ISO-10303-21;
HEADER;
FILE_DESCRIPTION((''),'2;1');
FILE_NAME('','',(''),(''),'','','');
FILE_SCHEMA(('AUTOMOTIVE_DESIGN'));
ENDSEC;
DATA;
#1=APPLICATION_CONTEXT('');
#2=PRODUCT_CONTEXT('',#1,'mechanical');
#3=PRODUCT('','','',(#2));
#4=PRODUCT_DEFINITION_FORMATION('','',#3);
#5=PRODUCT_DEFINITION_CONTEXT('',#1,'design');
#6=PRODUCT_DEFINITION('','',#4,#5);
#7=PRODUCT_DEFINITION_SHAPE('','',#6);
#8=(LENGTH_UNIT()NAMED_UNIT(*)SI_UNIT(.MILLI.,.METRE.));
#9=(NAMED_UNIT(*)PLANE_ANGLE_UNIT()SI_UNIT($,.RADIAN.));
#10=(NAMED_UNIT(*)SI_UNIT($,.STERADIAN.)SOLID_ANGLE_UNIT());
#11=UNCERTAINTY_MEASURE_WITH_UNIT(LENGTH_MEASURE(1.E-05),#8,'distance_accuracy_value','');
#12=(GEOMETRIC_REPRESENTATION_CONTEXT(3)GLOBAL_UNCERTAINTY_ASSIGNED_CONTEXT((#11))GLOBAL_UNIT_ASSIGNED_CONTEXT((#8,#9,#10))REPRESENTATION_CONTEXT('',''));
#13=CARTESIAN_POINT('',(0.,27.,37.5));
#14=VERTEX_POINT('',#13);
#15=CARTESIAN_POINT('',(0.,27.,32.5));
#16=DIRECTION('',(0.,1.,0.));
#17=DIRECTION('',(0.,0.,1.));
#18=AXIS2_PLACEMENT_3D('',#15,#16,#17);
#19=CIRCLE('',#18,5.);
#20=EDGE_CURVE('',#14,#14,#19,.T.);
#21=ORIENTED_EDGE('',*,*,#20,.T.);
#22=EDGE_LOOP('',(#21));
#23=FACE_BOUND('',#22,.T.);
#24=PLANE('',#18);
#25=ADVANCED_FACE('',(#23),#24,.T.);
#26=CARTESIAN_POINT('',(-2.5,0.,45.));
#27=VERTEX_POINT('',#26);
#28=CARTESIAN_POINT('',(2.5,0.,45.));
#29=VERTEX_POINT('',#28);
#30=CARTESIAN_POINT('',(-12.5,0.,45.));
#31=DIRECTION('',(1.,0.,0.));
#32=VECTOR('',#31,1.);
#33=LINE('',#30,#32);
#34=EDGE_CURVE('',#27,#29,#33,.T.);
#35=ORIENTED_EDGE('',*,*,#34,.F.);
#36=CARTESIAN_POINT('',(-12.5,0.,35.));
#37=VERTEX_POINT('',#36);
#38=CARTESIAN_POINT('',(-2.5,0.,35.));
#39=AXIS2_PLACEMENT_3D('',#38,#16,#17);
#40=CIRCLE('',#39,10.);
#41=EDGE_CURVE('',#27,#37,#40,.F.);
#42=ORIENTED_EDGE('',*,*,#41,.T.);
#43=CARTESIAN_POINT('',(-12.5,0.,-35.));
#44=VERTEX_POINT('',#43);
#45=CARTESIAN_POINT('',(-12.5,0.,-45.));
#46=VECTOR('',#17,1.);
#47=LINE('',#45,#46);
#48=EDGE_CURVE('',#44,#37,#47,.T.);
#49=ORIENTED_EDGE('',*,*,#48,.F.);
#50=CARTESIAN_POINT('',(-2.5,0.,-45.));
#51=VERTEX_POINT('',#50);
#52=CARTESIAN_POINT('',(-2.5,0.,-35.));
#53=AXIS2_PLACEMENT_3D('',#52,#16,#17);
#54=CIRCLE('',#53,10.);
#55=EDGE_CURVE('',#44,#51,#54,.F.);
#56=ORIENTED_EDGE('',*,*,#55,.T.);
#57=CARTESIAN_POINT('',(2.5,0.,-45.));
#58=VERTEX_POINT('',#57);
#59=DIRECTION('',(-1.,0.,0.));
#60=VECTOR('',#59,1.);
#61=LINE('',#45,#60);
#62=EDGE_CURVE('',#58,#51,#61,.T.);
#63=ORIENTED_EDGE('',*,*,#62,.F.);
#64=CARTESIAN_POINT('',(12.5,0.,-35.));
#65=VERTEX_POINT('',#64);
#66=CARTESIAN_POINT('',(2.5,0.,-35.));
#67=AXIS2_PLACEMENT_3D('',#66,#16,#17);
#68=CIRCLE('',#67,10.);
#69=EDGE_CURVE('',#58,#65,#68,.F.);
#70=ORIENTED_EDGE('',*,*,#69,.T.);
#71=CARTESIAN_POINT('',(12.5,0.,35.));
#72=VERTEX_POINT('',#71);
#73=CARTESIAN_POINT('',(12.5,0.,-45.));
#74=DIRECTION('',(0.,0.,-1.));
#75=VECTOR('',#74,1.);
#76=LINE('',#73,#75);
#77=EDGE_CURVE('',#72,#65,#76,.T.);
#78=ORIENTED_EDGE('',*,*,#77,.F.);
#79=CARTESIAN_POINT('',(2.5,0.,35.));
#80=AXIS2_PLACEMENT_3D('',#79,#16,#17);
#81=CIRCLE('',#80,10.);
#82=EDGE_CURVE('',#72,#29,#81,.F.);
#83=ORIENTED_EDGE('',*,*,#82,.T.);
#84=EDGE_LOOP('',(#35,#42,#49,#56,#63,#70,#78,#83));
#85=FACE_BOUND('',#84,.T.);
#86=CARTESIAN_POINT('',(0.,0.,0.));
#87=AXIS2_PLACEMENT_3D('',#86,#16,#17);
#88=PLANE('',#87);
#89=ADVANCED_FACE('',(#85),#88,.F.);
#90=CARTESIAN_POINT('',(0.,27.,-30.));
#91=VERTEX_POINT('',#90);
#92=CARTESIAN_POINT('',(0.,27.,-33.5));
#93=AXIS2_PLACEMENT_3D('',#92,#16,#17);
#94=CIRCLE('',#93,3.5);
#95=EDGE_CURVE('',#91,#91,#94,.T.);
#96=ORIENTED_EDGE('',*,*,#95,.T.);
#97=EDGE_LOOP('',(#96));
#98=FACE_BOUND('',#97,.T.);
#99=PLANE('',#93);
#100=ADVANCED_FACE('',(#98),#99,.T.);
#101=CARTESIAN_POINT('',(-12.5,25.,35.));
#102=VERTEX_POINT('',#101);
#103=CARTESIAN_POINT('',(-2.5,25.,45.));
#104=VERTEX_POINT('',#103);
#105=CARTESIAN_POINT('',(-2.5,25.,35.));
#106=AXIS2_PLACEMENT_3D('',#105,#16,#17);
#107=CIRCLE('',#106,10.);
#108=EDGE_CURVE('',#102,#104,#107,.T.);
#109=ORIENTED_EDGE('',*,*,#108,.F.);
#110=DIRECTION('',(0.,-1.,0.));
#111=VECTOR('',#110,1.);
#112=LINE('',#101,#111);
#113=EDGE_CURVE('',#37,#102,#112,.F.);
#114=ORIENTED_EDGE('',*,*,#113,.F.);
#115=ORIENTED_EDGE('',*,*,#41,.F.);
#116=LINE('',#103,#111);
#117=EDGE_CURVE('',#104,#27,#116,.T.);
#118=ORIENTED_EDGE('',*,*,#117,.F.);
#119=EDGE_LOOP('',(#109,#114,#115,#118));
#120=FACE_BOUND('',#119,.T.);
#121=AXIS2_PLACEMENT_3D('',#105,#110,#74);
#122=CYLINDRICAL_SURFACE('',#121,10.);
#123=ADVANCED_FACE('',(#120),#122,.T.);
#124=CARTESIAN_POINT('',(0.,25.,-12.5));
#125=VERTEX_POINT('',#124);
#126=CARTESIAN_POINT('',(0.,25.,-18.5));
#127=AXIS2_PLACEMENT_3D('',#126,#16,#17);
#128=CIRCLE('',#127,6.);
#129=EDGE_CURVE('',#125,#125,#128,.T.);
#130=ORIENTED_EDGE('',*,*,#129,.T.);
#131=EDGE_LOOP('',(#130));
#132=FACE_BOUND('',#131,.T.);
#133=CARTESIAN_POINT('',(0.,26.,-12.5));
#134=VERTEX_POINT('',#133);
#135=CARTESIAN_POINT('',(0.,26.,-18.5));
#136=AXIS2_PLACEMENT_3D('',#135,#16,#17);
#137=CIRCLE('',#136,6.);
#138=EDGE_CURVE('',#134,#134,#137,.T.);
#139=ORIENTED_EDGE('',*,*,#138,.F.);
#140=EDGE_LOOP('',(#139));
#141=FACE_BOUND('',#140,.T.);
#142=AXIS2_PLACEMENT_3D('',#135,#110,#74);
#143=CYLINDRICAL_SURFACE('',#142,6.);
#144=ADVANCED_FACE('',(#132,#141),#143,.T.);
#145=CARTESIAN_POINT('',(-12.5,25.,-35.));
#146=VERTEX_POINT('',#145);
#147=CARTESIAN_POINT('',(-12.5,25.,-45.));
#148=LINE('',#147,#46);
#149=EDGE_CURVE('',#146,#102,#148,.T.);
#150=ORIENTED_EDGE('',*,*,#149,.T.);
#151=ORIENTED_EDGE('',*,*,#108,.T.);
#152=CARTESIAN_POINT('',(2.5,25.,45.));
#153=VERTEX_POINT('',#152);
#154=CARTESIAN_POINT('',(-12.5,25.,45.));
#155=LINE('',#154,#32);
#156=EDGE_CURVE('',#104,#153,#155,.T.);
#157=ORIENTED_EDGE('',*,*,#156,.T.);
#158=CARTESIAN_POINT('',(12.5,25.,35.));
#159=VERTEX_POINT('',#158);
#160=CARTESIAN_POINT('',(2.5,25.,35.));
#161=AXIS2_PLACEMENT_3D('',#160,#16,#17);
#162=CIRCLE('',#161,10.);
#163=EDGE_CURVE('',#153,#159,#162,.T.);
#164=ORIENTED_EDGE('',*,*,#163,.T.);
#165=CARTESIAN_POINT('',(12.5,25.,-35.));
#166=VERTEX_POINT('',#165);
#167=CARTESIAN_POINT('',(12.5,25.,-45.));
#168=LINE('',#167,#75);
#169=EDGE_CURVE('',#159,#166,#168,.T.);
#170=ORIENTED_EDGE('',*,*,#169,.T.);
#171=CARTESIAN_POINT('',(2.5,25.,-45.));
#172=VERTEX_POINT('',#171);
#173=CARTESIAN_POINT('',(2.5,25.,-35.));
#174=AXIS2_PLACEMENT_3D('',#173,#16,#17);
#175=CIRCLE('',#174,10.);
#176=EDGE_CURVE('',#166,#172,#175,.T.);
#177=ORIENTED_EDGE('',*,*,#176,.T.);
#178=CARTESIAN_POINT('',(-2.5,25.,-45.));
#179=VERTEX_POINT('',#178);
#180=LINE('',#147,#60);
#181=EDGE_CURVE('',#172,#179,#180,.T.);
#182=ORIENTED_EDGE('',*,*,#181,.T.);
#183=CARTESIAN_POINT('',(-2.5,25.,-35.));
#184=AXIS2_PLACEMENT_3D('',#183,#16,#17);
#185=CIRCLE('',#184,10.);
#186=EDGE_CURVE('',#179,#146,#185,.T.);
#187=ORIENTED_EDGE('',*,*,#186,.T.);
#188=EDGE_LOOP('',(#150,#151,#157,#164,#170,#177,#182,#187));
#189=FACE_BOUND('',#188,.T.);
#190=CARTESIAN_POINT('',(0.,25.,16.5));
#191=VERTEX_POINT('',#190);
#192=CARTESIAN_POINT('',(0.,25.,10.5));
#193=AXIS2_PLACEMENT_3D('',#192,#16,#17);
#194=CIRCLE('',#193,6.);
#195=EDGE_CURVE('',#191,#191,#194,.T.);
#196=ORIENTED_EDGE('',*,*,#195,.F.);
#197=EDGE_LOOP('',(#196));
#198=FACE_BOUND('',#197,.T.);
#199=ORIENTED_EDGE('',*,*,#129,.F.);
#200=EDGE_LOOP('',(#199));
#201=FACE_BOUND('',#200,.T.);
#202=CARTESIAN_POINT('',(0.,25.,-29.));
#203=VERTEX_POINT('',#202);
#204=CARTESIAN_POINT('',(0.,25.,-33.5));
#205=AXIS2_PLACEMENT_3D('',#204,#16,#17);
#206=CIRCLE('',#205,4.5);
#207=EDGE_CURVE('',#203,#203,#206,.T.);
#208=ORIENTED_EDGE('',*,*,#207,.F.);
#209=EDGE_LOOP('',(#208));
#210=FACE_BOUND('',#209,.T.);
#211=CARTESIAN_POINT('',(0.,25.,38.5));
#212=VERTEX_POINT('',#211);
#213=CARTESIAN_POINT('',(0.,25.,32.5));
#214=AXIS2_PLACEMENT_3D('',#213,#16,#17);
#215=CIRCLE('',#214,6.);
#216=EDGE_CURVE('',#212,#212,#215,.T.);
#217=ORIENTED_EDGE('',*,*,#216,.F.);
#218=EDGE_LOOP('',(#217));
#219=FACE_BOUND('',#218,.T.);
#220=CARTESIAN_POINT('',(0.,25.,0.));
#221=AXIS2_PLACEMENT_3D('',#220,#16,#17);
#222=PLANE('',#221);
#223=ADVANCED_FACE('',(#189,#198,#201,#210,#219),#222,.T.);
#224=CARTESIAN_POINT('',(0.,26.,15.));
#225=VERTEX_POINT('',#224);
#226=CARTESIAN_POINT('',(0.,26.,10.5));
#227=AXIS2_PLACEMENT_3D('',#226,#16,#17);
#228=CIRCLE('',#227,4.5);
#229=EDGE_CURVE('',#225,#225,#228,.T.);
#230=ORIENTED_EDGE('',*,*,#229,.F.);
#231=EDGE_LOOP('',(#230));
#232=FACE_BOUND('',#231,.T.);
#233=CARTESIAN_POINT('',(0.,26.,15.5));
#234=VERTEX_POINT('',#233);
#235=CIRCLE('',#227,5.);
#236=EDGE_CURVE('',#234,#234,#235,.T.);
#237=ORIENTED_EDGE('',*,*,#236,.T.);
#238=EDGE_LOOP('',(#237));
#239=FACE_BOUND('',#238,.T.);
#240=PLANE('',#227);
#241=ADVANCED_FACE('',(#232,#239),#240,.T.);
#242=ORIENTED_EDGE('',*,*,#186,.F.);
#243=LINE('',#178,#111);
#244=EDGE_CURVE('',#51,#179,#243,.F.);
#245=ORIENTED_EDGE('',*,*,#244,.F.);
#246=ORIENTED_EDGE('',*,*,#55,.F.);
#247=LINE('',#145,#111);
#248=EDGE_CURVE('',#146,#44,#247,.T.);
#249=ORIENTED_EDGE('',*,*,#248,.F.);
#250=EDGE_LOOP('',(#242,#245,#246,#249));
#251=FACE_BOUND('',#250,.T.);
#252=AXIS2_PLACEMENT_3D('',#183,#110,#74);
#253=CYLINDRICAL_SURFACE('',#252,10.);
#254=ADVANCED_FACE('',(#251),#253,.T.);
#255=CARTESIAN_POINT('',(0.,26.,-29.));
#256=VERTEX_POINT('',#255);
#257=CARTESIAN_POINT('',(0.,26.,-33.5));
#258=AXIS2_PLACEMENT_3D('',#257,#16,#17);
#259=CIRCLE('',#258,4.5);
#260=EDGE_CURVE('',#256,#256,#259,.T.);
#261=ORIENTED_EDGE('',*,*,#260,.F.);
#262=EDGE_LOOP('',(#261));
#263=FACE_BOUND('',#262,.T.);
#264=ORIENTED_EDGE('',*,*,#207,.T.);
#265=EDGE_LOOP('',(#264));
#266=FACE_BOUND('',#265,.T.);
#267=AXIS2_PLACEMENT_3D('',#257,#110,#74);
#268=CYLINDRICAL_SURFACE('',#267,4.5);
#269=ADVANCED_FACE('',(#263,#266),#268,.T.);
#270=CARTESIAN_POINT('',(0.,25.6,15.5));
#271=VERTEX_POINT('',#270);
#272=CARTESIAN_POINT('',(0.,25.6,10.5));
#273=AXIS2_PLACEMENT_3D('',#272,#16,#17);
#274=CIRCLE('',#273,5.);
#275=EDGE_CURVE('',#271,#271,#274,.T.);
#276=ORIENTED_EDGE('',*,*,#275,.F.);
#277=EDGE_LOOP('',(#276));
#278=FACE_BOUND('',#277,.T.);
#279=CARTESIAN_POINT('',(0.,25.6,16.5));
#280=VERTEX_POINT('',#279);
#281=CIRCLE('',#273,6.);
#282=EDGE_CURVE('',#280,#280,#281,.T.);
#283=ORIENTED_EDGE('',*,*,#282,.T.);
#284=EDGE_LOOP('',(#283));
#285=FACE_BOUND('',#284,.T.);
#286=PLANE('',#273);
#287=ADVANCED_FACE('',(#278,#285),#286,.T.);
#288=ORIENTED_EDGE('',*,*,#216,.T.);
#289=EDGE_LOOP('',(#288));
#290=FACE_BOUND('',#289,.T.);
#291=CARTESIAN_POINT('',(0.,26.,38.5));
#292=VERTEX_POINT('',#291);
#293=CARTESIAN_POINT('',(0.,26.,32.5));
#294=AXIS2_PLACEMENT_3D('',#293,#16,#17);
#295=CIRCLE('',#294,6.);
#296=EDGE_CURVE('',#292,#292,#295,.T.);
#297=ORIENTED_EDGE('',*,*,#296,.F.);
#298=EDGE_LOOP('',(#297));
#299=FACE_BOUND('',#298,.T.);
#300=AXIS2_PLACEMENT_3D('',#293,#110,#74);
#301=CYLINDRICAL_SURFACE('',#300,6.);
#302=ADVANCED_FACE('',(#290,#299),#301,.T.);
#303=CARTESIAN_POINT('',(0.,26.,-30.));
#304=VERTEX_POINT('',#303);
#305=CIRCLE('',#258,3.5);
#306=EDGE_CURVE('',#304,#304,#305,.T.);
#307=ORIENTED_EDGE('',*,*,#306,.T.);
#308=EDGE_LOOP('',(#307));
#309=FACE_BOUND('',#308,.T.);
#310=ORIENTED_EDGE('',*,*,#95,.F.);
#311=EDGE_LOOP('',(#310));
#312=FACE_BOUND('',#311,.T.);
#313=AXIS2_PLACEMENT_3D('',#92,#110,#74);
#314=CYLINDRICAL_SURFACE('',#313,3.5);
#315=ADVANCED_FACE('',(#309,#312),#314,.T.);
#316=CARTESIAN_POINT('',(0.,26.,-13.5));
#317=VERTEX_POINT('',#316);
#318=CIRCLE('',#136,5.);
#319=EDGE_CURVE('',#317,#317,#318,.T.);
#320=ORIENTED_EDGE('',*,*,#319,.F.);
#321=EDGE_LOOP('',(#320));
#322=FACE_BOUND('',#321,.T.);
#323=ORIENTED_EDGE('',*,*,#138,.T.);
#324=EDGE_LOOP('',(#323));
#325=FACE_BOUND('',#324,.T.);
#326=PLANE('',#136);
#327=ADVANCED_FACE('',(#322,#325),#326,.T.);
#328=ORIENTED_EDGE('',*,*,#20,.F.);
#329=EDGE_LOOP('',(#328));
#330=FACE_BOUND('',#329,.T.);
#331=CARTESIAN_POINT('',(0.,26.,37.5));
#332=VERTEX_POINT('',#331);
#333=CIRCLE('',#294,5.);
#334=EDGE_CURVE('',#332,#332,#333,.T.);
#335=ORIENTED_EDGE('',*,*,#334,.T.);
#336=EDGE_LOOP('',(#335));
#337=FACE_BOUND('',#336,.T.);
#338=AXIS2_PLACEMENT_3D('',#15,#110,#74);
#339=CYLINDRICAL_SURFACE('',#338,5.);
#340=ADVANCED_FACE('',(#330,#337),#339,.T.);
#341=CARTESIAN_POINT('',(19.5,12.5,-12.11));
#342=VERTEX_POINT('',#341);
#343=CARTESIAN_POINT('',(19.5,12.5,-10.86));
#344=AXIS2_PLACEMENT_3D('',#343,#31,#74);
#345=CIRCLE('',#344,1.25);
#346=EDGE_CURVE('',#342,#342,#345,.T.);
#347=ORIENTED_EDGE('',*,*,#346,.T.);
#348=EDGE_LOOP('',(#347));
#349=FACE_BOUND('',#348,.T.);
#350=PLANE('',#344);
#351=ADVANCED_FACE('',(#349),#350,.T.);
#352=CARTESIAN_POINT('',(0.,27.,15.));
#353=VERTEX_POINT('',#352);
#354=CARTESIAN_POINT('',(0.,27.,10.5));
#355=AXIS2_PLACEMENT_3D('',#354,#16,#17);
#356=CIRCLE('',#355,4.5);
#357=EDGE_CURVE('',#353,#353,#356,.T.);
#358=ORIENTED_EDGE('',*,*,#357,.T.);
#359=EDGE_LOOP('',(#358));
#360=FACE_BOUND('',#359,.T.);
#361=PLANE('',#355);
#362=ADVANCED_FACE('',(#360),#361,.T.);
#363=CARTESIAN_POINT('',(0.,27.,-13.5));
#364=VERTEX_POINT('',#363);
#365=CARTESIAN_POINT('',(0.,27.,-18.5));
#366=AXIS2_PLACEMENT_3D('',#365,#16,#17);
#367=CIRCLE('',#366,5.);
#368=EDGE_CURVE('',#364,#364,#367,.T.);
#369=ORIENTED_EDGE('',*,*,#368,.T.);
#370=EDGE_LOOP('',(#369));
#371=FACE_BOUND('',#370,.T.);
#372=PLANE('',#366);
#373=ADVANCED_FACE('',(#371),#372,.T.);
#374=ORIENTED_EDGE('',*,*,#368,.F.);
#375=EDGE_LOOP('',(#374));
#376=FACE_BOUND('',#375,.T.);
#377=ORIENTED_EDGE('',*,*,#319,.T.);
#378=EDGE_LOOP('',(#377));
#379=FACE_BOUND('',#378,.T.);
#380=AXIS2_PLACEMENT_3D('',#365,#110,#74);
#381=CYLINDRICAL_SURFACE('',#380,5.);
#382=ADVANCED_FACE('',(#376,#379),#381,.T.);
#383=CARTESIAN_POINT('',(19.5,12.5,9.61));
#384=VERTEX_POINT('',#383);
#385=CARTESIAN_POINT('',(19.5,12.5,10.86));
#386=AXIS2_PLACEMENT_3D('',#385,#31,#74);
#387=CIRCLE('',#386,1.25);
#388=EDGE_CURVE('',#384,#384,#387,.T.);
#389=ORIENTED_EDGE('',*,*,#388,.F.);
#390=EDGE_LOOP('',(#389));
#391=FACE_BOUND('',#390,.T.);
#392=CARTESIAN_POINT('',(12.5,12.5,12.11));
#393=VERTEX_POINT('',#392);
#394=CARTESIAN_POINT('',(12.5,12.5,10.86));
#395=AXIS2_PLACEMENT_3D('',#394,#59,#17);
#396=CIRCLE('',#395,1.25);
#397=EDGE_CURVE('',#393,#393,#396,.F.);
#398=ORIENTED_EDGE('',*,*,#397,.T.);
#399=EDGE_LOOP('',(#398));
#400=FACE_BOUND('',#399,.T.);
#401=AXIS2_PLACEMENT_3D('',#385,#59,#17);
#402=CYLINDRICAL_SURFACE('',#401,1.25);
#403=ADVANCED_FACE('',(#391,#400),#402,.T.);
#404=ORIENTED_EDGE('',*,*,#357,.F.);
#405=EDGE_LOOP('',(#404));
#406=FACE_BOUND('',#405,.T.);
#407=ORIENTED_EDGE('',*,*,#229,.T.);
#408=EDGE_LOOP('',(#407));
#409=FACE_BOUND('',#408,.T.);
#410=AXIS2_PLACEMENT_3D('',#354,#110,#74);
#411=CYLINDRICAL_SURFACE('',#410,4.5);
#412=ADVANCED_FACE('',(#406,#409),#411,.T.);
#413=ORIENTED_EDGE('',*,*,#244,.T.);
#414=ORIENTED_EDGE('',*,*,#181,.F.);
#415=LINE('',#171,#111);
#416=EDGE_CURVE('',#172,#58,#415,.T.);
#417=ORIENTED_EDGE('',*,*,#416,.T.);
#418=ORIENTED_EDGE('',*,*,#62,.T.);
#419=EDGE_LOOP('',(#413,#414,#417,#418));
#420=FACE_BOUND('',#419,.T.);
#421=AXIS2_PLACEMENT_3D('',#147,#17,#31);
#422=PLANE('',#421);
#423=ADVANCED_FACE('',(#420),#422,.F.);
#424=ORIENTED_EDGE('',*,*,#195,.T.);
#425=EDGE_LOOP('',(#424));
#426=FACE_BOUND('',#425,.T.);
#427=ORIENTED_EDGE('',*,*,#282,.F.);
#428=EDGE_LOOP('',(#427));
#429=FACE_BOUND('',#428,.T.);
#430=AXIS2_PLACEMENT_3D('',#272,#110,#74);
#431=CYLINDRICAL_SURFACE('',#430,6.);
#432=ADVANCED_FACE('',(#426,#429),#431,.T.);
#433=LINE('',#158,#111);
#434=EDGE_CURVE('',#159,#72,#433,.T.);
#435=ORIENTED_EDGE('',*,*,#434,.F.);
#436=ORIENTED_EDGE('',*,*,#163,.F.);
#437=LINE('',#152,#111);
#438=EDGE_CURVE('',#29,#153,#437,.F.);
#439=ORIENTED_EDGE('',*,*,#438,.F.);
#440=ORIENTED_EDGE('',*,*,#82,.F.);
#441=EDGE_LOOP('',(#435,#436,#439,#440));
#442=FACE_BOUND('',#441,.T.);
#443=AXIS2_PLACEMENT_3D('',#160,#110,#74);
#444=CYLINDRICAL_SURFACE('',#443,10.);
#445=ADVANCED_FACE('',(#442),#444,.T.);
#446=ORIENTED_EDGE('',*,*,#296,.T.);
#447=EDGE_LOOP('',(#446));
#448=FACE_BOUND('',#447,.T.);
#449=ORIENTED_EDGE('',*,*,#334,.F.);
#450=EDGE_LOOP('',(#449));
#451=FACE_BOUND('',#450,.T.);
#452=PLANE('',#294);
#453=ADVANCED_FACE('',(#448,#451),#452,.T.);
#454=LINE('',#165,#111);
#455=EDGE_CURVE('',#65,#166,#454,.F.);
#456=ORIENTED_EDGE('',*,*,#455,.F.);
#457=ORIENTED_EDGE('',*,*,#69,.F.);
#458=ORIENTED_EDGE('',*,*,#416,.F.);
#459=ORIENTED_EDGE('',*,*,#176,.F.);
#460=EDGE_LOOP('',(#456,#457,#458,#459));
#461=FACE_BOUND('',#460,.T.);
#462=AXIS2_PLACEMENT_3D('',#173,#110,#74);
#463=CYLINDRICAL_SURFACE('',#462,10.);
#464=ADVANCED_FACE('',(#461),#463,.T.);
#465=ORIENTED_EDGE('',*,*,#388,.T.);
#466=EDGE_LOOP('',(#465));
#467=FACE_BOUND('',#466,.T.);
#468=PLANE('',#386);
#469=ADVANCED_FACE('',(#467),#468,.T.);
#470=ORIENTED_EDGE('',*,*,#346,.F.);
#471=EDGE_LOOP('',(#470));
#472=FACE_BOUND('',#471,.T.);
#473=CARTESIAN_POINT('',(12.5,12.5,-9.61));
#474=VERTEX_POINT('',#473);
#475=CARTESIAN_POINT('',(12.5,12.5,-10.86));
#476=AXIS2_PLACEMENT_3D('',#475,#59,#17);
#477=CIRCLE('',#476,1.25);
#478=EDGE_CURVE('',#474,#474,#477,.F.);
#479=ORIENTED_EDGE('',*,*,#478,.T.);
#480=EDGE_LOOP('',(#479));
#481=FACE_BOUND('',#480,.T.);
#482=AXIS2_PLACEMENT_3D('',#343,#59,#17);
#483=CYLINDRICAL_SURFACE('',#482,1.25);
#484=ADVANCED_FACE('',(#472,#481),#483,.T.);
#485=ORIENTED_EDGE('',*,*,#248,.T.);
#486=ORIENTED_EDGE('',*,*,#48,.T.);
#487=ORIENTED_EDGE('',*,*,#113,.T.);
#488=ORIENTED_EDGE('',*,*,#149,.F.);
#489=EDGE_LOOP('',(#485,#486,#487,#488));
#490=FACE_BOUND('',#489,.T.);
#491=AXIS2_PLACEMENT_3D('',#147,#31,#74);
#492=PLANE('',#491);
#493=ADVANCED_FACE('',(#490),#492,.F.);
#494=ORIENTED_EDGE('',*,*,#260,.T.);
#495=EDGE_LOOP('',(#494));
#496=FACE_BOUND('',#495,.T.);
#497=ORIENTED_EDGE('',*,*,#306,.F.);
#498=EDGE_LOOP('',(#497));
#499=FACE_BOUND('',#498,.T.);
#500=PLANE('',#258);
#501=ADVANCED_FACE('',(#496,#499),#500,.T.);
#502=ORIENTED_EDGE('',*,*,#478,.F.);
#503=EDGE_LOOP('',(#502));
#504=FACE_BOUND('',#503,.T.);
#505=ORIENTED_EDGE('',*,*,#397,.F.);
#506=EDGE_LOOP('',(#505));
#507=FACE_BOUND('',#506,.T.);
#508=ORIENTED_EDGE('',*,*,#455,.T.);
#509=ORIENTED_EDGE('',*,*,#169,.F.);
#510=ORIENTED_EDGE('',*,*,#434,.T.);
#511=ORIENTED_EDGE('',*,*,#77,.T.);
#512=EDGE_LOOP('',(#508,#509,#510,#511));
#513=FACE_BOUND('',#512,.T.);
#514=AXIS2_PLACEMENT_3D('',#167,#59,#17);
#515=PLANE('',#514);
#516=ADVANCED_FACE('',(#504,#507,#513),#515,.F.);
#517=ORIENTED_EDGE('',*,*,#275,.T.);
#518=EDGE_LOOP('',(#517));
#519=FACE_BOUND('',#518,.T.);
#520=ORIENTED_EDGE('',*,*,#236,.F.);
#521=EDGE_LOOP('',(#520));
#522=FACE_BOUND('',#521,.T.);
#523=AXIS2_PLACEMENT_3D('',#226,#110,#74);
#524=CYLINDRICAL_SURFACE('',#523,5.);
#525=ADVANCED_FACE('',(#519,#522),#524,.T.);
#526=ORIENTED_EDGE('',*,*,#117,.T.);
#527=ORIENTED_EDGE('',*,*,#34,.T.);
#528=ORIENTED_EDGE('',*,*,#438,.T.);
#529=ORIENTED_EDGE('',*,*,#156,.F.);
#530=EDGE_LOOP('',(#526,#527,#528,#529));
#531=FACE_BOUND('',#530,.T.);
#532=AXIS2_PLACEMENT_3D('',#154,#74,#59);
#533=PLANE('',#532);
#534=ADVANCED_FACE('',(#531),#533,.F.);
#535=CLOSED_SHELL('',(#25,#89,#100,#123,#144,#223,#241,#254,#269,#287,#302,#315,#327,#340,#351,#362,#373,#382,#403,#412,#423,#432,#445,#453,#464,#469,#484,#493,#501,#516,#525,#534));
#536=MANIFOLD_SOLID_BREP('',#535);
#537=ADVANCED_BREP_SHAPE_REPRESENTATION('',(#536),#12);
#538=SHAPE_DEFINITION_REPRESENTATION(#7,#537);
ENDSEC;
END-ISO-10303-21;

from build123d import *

# Parameters (mm, degrees)
SKETCH1_W           = 25
SKETCH1_H           = 90
BOSS_EXTRUDE1_DEPTH = 25
SKETCH2_R           = 5
SKETCH2_R_2         = 3.5
SKETCH2_R_3         = 4.5
BOSS_EXTRUDE2_DEPTH = 2
SKETCH2_3_R         = 6
SKETCH2_3_R_2       = 4.5
SKETCH2_3_R_3       = 5
BOSS_EXTRUDE3_DEPTH = 1
SKETCH2_4_R         = 6
BOSS_EXTRUDE4_DEPTH = 0.6
FILLET1_R           = 10
SKETCH3_R           = 1.25
BOSS_EXTRUDE5_DEPTH = 7


with BuildPart() as part:
    # Sketch1 → Boss-Extrude1 (new body)
    with BuildSketch(Plane(origin=(0, 0, 0), x_dir=(1, 0, 0), z_dir=(0, 1, 0))):
        Rectangle(SKETCH1_W, SKETCH1_H)
    extrude(amount=BOSS_EXTRUDE1_DEPTH)

    # Sketch2 → Boss-Extrude2 (add)
    with BuildSketch(Plane(origin=(0, 25, 0), x_dir=(1, 0, 0), z_dir=(0, 1, 0))):
        with Locations((0, -32.5)):
            Circle(SKETCH2_R)
        with Locations((0, 18.5)):
            Circle(SKETCH2_R)
        with Locations((0, 33.5)):
            Circle(SKETCH2_R_2)
        with Locations((0, -10.5)):
            Circle(SKETCH2_R_3)
    extrude(amount=BOSS_EXTRUDE2_DEPTH)

    # Sketch2<3> → Boss-Extrude3 (add)
    with BuildSketch(Plane(origin=(0, 25, 0), x_dir=(1, 0, 0), z_dir=(0, 1, 0))):
        with Locations((0, -32.5)):
            Circle(SKETCH2_3_R)
        with Locations((0, 18.5)):
            Circle(SKETCH2_3_R)
        with Locations((0, 33.5)):
            Circle(SKETCH2_3_R_2)
        with Locations((0, -10.5)):
            Circle(SKETCH2_3_R_3)
    extrude(amount=BOSS_EXTRUDE3_DEPTH)

    # Sketch2<4> → Boss-Extrude4 (add)
    with BuildSketch(Plane(origin=(0, 25, 0), x_dir=(1, 0, 0), z_dir=(0, 1, 0))):
        with Locations((0, -10.5)):
            Circle(SKETCH2_4_R)
    extrude(amount=BOSS_EXTRUDE4_DEPTH)

    # Fillet1
    fillet1_edges = [part.edges().sort_by_distance(p)[0] for p in [
        (12.5, 12.5, 45),
        (-12.5, 12.5, 45),
        (-12.5, 12.5, -45),
        (12.5, 12.5, -45),
    ]]
    fillet(fillet1_edges, radius=FILLET1_R)

    # Sketch3 → Boss-Extrude5 (add)
    with BuildSketch(Plane(origin=(12.5, 0, 0), x_dir=(0, 0, -1), z_dir=(1, 0, 0))):
        with Locations((-10.86, 12.5)):
            Circle(SKETCH3_R)
        with Locations((10.86, 12.5)):
            Circle(SKETCH3_R)
    extrude(amount=BOSS_EXTRUDE5_DEPTH)


solid = part.part
